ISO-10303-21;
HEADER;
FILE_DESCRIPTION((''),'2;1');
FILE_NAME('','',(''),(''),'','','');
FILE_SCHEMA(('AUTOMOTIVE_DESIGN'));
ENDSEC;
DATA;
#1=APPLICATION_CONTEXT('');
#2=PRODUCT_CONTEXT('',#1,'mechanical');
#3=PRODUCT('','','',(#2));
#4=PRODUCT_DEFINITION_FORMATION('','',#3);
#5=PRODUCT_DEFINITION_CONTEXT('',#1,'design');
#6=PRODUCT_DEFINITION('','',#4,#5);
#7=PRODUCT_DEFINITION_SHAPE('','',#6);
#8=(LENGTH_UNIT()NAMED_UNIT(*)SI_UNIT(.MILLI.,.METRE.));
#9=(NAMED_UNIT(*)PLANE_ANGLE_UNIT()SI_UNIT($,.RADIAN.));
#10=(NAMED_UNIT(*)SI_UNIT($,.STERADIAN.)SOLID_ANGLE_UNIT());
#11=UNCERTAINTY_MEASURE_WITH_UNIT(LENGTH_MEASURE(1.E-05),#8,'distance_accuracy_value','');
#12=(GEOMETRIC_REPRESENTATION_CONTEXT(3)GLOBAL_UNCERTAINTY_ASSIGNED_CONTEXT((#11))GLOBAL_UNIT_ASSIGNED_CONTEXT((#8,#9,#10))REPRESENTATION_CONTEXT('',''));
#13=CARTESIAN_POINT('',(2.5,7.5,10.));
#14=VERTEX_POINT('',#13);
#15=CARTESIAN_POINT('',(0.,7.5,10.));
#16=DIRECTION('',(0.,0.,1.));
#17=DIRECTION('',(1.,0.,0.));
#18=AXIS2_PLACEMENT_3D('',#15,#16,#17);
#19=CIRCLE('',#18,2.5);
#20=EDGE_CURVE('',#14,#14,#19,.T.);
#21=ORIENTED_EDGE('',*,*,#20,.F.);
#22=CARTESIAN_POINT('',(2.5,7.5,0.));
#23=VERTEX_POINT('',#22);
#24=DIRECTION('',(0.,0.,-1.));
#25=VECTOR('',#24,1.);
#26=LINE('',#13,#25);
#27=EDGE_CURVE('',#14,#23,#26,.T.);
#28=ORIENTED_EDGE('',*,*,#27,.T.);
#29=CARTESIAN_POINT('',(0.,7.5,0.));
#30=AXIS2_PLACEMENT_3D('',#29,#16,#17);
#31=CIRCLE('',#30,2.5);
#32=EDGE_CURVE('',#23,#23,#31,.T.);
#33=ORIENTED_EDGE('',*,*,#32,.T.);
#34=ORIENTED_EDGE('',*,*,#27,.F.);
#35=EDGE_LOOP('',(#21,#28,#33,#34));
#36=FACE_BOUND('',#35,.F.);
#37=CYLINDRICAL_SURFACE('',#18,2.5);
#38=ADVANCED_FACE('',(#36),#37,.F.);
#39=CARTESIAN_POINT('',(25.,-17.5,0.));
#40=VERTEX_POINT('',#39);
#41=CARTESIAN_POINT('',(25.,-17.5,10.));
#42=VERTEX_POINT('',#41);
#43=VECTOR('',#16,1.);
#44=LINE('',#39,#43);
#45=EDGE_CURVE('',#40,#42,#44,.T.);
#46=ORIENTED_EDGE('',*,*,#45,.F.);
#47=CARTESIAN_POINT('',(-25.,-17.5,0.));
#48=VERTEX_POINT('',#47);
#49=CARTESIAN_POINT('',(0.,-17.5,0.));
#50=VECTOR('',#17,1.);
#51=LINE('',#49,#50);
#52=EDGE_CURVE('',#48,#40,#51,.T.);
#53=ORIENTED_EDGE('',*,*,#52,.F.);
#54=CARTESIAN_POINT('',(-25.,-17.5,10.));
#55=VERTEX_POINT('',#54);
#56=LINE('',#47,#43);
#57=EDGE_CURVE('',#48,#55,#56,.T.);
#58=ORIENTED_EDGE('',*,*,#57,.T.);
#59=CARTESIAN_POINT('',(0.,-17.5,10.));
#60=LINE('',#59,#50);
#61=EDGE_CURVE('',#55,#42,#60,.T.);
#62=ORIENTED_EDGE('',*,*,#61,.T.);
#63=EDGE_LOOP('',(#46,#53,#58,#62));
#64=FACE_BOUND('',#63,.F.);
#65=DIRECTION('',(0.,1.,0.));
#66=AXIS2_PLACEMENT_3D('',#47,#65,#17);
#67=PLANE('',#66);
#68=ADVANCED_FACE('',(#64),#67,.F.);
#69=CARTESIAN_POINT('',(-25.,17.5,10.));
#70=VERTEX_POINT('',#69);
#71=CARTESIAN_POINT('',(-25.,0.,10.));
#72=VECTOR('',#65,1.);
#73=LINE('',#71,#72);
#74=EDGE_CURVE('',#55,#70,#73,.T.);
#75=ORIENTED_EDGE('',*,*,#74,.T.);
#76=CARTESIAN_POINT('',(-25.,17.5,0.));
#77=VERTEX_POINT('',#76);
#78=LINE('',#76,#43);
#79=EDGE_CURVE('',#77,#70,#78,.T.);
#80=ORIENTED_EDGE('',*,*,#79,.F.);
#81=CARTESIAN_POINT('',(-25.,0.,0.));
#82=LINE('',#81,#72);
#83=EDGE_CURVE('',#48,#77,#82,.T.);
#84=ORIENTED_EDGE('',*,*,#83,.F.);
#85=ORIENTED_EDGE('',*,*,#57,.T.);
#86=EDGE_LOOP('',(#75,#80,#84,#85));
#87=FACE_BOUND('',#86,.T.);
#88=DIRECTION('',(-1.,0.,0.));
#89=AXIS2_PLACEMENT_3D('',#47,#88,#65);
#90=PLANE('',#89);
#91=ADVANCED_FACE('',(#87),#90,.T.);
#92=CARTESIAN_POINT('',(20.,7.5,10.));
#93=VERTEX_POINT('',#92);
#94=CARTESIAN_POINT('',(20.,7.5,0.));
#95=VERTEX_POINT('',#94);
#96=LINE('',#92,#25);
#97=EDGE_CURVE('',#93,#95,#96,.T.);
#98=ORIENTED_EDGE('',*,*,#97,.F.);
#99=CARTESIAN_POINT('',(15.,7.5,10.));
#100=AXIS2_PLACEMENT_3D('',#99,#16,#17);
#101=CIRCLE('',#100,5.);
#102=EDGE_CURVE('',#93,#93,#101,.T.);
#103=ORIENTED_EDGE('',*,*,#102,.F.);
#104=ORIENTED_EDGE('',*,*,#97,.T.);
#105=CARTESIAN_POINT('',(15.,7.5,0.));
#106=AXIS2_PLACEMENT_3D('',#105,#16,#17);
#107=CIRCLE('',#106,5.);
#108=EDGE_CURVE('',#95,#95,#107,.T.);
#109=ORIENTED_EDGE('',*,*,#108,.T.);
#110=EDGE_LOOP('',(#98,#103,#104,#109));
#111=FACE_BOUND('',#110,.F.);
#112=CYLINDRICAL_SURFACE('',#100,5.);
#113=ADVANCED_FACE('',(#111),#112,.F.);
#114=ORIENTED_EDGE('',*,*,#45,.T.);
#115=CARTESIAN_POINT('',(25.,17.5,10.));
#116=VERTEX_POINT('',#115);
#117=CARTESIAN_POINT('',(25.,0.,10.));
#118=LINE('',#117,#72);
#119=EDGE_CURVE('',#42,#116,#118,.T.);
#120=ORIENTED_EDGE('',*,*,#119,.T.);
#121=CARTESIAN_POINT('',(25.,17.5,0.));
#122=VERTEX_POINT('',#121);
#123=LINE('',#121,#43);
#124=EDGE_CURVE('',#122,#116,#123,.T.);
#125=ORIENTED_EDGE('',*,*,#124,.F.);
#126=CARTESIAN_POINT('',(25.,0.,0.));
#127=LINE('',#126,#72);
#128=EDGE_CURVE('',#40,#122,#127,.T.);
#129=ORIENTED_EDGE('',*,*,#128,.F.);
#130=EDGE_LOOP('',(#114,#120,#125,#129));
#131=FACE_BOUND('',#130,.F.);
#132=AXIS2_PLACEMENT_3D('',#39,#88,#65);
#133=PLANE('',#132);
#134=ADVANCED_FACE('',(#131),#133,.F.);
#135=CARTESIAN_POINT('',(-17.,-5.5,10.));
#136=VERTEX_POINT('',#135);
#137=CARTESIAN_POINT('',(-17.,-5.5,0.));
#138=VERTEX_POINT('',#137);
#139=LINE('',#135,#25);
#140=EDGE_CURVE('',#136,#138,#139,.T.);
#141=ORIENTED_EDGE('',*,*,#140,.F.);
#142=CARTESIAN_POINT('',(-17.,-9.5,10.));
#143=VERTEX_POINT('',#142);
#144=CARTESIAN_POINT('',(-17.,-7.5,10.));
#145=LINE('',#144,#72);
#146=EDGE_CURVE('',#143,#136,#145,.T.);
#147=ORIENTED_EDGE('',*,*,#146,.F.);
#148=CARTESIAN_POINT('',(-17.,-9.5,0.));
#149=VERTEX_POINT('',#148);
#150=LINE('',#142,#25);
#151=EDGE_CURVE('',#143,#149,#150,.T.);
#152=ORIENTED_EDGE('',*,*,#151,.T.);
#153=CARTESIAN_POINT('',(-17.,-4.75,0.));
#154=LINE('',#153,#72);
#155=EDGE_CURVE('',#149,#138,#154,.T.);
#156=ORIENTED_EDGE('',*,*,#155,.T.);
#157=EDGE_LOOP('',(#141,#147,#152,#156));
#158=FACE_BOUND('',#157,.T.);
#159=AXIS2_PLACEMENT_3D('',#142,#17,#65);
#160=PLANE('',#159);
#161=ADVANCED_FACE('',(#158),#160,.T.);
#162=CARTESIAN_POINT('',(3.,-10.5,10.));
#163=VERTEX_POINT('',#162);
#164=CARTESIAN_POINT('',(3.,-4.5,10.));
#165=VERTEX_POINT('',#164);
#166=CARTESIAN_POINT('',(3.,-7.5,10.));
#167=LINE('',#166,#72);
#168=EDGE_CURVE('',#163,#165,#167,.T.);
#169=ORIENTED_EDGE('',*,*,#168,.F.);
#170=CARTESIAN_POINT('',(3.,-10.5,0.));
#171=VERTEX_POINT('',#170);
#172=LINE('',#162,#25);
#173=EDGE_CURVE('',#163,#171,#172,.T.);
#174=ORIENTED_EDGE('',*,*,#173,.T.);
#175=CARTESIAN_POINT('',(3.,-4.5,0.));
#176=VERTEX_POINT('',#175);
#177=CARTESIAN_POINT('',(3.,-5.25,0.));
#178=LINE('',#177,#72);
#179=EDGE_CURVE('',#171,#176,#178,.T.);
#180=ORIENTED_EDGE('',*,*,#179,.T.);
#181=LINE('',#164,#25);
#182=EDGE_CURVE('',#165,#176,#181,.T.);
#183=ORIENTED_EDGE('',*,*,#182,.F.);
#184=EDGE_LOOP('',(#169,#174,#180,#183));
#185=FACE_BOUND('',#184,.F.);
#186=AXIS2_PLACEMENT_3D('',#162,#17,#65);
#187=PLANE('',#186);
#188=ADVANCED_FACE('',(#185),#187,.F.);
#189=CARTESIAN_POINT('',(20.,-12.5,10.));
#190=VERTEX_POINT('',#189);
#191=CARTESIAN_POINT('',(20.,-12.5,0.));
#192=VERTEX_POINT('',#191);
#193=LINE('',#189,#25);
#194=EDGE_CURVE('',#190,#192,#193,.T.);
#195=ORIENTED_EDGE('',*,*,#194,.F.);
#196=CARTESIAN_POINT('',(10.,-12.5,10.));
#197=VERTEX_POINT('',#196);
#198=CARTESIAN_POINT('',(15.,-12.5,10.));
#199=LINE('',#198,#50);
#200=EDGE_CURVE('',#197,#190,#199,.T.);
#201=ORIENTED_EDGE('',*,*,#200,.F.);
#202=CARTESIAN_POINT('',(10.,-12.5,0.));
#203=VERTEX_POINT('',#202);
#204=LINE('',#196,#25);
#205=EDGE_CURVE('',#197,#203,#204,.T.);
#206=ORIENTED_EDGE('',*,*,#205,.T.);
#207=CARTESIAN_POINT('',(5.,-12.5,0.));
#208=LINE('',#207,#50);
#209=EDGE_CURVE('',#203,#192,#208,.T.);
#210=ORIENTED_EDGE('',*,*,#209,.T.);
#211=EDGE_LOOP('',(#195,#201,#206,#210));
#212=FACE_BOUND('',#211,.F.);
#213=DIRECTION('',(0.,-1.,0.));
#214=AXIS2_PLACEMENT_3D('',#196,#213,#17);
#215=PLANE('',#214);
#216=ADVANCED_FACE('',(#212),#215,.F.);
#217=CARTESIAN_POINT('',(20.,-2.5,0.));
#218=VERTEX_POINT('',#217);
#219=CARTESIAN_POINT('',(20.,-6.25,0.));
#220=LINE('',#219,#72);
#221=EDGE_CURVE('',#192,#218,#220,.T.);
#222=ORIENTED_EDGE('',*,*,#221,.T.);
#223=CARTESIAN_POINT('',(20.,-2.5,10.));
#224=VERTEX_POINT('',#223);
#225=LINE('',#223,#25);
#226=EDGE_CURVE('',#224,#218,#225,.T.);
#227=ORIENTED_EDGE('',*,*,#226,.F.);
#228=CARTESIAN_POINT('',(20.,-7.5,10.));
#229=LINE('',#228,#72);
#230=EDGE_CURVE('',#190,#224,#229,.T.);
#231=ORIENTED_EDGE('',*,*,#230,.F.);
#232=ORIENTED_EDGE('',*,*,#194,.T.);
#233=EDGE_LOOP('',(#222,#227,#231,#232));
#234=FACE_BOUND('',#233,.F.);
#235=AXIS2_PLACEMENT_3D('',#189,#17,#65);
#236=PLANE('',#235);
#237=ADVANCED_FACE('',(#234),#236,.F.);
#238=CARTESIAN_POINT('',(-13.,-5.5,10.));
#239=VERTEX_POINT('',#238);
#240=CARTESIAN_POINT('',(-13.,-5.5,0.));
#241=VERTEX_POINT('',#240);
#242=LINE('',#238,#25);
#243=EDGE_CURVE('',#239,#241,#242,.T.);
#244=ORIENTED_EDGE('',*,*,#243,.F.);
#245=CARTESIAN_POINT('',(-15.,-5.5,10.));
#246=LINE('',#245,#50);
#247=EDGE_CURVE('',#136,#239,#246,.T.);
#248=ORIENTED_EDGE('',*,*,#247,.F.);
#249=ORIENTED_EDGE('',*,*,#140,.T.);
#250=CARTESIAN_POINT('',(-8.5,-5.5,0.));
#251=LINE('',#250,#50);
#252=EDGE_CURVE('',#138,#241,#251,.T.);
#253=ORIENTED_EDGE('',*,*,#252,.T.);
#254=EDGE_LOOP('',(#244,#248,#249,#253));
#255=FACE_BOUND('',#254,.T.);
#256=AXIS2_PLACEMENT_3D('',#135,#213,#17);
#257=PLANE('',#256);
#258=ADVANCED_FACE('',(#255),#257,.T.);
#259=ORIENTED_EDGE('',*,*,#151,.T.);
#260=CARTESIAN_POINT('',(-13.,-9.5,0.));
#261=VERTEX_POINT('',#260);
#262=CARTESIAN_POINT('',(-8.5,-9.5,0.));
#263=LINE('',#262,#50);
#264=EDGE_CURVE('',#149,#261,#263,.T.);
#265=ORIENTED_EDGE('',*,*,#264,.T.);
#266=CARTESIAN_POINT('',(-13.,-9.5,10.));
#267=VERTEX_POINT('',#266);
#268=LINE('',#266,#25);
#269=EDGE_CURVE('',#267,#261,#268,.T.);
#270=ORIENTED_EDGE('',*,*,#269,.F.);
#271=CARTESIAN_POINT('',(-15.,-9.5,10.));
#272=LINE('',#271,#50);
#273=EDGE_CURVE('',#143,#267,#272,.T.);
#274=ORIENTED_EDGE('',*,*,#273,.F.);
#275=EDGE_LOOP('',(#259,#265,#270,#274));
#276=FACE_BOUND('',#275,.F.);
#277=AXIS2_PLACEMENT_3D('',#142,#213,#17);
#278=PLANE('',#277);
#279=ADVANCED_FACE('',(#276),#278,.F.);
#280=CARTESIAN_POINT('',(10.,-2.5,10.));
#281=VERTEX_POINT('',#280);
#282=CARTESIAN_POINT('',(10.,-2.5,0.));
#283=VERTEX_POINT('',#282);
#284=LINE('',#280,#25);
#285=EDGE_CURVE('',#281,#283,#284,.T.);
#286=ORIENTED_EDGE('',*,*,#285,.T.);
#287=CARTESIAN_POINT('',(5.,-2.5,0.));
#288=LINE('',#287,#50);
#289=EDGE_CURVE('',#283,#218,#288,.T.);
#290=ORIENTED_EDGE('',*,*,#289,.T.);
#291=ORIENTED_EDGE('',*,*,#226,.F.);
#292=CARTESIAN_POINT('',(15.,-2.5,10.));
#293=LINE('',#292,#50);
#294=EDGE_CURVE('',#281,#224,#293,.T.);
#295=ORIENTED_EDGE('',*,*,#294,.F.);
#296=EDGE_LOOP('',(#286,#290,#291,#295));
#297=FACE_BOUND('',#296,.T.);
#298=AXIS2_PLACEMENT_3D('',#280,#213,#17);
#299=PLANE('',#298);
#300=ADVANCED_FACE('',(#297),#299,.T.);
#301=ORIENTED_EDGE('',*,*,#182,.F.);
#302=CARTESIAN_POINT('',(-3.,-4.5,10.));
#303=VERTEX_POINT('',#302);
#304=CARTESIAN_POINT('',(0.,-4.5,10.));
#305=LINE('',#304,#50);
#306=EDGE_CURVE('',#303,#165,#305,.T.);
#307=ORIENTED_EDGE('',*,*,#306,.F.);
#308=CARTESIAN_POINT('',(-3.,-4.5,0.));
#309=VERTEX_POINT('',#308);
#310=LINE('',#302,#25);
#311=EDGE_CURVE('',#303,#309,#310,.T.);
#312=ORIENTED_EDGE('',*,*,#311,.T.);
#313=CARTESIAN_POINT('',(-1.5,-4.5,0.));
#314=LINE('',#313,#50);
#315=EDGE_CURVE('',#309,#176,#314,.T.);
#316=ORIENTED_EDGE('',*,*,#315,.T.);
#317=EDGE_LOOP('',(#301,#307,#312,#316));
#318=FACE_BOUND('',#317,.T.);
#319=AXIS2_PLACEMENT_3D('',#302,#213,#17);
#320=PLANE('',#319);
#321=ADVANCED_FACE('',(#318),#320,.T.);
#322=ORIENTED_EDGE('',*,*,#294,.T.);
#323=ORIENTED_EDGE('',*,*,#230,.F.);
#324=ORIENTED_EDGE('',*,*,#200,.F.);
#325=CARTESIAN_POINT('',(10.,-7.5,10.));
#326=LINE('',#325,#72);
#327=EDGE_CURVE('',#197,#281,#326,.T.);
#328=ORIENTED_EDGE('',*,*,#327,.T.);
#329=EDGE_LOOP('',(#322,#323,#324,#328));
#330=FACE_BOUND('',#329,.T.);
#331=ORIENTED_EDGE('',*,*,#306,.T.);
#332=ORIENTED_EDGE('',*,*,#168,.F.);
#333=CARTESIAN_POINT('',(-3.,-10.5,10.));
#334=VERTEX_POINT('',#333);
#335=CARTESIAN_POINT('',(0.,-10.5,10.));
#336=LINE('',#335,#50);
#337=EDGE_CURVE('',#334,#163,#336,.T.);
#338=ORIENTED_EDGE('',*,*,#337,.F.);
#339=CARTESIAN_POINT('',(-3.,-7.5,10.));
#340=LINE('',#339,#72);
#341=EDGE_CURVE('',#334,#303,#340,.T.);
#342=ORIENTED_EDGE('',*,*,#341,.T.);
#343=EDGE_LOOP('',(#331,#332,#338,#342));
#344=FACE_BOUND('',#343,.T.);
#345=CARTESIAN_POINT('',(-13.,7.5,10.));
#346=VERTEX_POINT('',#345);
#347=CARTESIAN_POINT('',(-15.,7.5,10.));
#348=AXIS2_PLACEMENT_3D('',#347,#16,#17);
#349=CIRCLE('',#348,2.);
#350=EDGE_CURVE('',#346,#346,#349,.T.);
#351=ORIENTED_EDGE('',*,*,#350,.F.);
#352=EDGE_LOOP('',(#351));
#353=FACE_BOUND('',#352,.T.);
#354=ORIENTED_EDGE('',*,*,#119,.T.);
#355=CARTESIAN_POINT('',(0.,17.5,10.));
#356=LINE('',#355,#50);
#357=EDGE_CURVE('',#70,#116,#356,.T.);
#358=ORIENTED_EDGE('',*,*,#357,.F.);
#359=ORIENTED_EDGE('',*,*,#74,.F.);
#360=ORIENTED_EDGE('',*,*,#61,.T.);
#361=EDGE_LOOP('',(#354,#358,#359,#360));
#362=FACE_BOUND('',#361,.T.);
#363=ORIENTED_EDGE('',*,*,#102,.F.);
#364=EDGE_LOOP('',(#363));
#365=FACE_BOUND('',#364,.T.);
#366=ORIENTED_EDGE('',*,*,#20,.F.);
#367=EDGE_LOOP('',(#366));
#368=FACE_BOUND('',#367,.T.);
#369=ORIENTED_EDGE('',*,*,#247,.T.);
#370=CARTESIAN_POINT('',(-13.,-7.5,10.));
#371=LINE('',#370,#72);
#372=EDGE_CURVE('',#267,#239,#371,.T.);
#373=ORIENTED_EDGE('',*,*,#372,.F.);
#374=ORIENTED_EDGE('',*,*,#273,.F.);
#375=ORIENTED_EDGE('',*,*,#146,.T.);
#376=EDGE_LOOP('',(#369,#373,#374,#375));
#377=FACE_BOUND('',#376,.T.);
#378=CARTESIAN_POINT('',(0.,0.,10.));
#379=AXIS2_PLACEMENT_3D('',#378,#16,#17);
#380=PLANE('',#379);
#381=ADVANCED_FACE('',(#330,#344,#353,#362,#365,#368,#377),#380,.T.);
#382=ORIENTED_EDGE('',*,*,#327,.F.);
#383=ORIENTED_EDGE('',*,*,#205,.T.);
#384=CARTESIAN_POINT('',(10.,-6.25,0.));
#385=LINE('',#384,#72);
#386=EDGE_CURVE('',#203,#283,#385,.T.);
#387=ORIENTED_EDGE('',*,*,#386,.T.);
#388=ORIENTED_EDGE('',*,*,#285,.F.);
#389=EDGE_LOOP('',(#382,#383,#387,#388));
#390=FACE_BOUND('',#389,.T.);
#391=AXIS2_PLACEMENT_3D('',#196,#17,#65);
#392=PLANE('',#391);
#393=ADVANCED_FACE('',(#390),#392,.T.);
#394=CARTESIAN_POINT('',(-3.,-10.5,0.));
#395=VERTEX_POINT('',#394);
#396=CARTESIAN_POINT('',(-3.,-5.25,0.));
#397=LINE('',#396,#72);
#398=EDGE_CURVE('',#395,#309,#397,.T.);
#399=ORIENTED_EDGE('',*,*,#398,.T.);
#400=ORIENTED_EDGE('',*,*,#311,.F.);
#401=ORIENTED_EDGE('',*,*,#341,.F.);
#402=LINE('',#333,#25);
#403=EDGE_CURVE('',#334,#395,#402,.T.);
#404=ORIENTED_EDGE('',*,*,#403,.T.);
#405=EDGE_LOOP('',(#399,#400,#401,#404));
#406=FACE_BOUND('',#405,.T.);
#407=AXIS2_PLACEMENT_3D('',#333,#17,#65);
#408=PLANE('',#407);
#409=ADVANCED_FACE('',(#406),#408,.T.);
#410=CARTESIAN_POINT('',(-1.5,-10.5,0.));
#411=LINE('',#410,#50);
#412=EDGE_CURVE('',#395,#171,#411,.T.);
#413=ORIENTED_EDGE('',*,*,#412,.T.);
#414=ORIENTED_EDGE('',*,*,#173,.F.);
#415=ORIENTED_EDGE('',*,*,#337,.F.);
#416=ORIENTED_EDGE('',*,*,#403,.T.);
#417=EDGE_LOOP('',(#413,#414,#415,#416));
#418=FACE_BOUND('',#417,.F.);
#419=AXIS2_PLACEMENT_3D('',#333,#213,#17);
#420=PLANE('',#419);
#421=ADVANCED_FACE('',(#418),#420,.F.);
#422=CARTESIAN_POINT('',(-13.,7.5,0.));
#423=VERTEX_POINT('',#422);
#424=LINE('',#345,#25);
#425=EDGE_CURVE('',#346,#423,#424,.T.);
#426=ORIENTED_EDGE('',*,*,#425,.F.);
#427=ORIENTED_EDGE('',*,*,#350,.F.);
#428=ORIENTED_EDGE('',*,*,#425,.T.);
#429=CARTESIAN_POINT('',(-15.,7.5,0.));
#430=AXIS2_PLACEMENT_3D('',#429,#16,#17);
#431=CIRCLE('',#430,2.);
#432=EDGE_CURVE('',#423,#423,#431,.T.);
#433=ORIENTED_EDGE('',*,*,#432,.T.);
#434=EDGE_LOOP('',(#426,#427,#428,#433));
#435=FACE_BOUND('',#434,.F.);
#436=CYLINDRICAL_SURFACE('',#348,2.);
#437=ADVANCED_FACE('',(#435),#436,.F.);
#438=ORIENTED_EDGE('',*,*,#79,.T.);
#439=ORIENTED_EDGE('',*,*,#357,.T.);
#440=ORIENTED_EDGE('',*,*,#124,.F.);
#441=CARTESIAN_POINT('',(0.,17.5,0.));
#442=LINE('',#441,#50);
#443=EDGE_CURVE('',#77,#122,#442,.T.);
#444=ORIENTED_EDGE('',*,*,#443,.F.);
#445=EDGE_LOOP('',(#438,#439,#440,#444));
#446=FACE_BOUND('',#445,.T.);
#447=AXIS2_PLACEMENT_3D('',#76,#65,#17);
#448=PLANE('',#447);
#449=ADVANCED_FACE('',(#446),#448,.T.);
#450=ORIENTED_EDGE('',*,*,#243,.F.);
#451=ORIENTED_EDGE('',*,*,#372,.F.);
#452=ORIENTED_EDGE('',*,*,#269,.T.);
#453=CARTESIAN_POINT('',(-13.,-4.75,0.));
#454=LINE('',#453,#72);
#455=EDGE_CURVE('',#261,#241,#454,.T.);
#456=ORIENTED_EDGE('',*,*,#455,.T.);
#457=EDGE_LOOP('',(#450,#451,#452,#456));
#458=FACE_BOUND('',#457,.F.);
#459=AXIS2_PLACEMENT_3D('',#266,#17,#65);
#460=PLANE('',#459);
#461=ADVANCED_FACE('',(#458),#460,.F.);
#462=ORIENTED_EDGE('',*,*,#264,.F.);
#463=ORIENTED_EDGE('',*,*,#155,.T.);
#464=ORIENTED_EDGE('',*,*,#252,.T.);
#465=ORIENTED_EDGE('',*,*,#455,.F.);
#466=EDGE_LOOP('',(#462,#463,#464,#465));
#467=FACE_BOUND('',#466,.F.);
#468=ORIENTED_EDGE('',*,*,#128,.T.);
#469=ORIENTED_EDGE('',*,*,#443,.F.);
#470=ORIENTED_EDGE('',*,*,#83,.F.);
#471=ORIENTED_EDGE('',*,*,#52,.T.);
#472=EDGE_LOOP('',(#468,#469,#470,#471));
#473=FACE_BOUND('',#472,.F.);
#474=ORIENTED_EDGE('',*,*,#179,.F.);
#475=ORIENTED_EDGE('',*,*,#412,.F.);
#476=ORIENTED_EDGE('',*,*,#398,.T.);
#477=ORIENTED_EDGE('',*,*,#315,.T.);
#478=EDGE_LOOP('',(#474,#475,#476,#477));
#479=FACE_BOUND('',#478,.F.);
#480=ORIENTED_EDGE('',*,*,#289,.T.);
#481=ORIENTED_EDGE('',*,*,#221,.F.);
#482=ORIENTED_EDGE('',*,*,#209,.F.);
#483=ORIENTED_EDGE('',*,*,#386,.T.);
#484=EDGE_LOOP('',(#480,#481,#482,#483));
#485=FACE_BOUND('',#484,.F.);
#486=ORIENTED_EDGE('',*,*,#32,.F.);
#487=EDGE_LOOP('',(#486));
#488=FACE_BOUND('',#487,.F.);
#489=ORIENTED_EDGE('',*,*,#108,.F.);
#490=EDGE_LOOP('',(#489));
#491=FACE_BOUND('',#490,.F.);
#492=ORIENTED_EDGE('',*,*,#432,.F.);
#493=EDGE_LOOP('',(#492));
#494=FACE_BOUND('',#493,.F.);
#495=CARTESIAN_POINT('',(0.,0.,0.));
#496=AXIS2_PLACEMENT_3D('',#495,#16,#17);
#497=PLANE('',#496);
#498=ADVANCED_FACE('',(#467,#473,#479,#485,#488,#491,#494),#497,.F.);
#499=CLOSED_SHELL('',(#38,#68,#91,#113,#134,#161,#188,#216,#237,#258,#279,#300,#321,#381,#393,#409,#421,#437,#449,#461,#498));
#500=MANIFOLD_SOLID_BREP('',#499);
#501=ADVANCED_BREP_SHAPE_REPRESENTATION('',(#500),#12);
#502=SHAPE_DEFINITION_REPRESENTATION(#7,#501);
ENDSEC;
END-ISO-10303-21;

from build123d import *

# Parameters (mm, degrees)
SKETCH_W      = 50
SKETCH_H      = 35
PAD_DEPTH     = 10
SKETCH001_R   = 2
SKETCH001_R_2 = 2.5
SKETCH001_R_3 = 5
SKETCH001_W   = 4
SKETCH001_H   = 4
SKETCH001_W_2 = 6
SKETCH001_H_2 = 6
SKETCH001_W_3 = 10
SKETCH001_H_3 = 10
POCKET_DEPTH  = 10.001


with BuildPart() as part:
    # Sketch → Pad (new body)
    with BuildSketch(Plane.XY):
        Rectangle(SKETCH_W, SKETCH_H)
    extrude(amount=PAD_DEPTH)

    # Sketch001 (on Face6 of Pad) → Pocket (cut, through all)
    with BuildSketch(Plane.XY.offset(10)):
        with Locations((-15, 7.5)):
            Circle(SKETCH001_R)
        with Locations((0, 7.5)):
            Circle(SKETCH001_R_2)
        with Locations((15, 7.5)):
            Circle(SKETCH001_R_3)
        with Locations((-15, -7.5)):
            Rectangle(SKETCH001_W, SKETCH001_H)
        with Locations((0, -7.5)):
            Rectangle(SKETCH001_W_2, SKETCH001_H_2)
        with Locations((15, -7.5)):
            Rectangle(SKETCH001_W_3, SKETCH001_H_3)
    extrude(amount=-POCKET_DEPTH, mode=Mode.SUBTRACT)


solid = part.part
